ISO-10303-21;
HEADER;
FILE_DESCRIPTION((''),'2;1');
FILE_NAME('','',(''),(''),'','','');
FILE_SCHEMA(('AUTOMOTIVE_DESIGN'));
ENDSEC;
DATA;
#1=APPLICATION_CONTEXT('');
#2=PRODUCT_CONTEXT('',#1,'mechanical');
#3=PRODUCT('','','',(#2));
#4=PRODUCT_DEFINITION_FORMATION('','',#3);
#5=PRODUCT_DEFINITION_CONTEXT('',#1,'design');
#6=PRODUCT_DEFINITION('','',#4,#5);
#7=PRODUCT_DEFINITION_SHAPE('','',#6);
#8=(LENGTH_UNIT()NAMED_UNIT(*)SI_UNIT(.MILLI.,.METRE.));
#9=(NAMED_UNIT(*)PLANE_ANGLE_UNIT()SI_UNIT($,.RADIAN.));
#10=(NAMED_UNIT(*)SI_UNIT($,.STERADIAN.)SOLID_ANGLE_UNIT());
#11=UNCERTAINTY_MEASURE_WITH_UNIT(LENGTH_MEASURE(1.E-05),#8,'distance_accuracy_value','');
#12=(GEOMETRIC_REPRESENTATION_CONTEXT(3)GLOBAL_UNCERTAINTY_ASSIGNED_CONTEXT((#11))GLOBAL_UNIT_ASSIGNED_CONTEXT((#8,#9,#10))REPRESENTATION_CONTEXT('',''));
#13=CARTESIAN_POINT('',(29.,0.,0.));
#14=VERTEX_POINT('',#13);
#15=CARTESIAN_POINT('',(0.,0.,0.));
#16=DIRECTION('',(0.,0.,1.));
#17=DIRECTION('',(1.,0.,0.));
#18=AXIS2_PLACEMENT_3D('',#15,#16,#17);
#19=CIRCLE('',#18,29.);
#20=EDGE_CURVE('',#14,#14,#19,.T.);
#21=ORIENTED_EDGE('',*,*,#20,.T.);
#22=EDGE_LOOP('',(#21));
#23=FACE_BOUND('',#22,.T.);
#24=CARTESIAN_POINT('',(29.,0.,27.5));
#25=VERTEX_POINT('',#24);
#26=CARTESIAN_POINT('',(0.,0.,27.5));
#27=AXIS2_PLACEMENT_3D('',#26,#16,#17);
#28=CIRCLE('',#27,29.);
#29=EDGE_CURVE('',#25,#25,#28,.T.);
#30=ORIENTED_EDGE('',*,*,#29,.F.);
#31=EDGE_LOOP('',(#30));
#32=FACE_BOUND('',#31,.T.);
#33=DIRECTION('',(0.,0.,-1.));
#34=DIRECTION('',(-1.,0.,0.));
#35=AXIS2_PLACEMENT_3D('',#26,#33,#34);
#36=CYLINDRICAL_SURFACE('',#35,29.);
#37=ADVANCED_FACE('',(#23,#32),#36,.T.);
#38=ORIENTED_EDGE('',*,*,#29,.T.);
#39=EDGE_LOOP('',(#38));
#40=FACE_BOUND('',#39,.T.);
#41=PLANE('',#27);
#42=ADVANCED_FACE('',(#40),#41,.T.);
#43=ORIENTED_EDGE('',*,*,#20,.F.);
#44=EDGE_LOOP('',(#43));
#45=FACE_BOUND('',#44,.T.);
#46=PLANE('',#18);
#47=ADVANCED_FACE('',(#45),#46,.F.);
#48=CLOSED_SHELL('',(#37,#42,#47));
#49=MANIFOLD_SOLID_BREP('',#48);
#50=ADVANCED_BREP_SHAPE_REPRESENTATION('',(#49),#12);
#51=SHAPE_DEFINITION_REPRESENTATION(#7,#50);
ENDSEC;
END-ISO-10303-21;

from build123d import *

# Parameters (mm, degrees)
SKETCH_1_R      = 29
EXTRUDE_1_DEPTH = 27.5


with BuildPart() as part:
    # 草图1 → 凸台-拉伸1 (new body)
    with BuildSketch(Plane.XY):
        Circle(SKETCH_1_R)
    extrude(amount=EXTRUDE_1_DEPTH)


solid = part.part
